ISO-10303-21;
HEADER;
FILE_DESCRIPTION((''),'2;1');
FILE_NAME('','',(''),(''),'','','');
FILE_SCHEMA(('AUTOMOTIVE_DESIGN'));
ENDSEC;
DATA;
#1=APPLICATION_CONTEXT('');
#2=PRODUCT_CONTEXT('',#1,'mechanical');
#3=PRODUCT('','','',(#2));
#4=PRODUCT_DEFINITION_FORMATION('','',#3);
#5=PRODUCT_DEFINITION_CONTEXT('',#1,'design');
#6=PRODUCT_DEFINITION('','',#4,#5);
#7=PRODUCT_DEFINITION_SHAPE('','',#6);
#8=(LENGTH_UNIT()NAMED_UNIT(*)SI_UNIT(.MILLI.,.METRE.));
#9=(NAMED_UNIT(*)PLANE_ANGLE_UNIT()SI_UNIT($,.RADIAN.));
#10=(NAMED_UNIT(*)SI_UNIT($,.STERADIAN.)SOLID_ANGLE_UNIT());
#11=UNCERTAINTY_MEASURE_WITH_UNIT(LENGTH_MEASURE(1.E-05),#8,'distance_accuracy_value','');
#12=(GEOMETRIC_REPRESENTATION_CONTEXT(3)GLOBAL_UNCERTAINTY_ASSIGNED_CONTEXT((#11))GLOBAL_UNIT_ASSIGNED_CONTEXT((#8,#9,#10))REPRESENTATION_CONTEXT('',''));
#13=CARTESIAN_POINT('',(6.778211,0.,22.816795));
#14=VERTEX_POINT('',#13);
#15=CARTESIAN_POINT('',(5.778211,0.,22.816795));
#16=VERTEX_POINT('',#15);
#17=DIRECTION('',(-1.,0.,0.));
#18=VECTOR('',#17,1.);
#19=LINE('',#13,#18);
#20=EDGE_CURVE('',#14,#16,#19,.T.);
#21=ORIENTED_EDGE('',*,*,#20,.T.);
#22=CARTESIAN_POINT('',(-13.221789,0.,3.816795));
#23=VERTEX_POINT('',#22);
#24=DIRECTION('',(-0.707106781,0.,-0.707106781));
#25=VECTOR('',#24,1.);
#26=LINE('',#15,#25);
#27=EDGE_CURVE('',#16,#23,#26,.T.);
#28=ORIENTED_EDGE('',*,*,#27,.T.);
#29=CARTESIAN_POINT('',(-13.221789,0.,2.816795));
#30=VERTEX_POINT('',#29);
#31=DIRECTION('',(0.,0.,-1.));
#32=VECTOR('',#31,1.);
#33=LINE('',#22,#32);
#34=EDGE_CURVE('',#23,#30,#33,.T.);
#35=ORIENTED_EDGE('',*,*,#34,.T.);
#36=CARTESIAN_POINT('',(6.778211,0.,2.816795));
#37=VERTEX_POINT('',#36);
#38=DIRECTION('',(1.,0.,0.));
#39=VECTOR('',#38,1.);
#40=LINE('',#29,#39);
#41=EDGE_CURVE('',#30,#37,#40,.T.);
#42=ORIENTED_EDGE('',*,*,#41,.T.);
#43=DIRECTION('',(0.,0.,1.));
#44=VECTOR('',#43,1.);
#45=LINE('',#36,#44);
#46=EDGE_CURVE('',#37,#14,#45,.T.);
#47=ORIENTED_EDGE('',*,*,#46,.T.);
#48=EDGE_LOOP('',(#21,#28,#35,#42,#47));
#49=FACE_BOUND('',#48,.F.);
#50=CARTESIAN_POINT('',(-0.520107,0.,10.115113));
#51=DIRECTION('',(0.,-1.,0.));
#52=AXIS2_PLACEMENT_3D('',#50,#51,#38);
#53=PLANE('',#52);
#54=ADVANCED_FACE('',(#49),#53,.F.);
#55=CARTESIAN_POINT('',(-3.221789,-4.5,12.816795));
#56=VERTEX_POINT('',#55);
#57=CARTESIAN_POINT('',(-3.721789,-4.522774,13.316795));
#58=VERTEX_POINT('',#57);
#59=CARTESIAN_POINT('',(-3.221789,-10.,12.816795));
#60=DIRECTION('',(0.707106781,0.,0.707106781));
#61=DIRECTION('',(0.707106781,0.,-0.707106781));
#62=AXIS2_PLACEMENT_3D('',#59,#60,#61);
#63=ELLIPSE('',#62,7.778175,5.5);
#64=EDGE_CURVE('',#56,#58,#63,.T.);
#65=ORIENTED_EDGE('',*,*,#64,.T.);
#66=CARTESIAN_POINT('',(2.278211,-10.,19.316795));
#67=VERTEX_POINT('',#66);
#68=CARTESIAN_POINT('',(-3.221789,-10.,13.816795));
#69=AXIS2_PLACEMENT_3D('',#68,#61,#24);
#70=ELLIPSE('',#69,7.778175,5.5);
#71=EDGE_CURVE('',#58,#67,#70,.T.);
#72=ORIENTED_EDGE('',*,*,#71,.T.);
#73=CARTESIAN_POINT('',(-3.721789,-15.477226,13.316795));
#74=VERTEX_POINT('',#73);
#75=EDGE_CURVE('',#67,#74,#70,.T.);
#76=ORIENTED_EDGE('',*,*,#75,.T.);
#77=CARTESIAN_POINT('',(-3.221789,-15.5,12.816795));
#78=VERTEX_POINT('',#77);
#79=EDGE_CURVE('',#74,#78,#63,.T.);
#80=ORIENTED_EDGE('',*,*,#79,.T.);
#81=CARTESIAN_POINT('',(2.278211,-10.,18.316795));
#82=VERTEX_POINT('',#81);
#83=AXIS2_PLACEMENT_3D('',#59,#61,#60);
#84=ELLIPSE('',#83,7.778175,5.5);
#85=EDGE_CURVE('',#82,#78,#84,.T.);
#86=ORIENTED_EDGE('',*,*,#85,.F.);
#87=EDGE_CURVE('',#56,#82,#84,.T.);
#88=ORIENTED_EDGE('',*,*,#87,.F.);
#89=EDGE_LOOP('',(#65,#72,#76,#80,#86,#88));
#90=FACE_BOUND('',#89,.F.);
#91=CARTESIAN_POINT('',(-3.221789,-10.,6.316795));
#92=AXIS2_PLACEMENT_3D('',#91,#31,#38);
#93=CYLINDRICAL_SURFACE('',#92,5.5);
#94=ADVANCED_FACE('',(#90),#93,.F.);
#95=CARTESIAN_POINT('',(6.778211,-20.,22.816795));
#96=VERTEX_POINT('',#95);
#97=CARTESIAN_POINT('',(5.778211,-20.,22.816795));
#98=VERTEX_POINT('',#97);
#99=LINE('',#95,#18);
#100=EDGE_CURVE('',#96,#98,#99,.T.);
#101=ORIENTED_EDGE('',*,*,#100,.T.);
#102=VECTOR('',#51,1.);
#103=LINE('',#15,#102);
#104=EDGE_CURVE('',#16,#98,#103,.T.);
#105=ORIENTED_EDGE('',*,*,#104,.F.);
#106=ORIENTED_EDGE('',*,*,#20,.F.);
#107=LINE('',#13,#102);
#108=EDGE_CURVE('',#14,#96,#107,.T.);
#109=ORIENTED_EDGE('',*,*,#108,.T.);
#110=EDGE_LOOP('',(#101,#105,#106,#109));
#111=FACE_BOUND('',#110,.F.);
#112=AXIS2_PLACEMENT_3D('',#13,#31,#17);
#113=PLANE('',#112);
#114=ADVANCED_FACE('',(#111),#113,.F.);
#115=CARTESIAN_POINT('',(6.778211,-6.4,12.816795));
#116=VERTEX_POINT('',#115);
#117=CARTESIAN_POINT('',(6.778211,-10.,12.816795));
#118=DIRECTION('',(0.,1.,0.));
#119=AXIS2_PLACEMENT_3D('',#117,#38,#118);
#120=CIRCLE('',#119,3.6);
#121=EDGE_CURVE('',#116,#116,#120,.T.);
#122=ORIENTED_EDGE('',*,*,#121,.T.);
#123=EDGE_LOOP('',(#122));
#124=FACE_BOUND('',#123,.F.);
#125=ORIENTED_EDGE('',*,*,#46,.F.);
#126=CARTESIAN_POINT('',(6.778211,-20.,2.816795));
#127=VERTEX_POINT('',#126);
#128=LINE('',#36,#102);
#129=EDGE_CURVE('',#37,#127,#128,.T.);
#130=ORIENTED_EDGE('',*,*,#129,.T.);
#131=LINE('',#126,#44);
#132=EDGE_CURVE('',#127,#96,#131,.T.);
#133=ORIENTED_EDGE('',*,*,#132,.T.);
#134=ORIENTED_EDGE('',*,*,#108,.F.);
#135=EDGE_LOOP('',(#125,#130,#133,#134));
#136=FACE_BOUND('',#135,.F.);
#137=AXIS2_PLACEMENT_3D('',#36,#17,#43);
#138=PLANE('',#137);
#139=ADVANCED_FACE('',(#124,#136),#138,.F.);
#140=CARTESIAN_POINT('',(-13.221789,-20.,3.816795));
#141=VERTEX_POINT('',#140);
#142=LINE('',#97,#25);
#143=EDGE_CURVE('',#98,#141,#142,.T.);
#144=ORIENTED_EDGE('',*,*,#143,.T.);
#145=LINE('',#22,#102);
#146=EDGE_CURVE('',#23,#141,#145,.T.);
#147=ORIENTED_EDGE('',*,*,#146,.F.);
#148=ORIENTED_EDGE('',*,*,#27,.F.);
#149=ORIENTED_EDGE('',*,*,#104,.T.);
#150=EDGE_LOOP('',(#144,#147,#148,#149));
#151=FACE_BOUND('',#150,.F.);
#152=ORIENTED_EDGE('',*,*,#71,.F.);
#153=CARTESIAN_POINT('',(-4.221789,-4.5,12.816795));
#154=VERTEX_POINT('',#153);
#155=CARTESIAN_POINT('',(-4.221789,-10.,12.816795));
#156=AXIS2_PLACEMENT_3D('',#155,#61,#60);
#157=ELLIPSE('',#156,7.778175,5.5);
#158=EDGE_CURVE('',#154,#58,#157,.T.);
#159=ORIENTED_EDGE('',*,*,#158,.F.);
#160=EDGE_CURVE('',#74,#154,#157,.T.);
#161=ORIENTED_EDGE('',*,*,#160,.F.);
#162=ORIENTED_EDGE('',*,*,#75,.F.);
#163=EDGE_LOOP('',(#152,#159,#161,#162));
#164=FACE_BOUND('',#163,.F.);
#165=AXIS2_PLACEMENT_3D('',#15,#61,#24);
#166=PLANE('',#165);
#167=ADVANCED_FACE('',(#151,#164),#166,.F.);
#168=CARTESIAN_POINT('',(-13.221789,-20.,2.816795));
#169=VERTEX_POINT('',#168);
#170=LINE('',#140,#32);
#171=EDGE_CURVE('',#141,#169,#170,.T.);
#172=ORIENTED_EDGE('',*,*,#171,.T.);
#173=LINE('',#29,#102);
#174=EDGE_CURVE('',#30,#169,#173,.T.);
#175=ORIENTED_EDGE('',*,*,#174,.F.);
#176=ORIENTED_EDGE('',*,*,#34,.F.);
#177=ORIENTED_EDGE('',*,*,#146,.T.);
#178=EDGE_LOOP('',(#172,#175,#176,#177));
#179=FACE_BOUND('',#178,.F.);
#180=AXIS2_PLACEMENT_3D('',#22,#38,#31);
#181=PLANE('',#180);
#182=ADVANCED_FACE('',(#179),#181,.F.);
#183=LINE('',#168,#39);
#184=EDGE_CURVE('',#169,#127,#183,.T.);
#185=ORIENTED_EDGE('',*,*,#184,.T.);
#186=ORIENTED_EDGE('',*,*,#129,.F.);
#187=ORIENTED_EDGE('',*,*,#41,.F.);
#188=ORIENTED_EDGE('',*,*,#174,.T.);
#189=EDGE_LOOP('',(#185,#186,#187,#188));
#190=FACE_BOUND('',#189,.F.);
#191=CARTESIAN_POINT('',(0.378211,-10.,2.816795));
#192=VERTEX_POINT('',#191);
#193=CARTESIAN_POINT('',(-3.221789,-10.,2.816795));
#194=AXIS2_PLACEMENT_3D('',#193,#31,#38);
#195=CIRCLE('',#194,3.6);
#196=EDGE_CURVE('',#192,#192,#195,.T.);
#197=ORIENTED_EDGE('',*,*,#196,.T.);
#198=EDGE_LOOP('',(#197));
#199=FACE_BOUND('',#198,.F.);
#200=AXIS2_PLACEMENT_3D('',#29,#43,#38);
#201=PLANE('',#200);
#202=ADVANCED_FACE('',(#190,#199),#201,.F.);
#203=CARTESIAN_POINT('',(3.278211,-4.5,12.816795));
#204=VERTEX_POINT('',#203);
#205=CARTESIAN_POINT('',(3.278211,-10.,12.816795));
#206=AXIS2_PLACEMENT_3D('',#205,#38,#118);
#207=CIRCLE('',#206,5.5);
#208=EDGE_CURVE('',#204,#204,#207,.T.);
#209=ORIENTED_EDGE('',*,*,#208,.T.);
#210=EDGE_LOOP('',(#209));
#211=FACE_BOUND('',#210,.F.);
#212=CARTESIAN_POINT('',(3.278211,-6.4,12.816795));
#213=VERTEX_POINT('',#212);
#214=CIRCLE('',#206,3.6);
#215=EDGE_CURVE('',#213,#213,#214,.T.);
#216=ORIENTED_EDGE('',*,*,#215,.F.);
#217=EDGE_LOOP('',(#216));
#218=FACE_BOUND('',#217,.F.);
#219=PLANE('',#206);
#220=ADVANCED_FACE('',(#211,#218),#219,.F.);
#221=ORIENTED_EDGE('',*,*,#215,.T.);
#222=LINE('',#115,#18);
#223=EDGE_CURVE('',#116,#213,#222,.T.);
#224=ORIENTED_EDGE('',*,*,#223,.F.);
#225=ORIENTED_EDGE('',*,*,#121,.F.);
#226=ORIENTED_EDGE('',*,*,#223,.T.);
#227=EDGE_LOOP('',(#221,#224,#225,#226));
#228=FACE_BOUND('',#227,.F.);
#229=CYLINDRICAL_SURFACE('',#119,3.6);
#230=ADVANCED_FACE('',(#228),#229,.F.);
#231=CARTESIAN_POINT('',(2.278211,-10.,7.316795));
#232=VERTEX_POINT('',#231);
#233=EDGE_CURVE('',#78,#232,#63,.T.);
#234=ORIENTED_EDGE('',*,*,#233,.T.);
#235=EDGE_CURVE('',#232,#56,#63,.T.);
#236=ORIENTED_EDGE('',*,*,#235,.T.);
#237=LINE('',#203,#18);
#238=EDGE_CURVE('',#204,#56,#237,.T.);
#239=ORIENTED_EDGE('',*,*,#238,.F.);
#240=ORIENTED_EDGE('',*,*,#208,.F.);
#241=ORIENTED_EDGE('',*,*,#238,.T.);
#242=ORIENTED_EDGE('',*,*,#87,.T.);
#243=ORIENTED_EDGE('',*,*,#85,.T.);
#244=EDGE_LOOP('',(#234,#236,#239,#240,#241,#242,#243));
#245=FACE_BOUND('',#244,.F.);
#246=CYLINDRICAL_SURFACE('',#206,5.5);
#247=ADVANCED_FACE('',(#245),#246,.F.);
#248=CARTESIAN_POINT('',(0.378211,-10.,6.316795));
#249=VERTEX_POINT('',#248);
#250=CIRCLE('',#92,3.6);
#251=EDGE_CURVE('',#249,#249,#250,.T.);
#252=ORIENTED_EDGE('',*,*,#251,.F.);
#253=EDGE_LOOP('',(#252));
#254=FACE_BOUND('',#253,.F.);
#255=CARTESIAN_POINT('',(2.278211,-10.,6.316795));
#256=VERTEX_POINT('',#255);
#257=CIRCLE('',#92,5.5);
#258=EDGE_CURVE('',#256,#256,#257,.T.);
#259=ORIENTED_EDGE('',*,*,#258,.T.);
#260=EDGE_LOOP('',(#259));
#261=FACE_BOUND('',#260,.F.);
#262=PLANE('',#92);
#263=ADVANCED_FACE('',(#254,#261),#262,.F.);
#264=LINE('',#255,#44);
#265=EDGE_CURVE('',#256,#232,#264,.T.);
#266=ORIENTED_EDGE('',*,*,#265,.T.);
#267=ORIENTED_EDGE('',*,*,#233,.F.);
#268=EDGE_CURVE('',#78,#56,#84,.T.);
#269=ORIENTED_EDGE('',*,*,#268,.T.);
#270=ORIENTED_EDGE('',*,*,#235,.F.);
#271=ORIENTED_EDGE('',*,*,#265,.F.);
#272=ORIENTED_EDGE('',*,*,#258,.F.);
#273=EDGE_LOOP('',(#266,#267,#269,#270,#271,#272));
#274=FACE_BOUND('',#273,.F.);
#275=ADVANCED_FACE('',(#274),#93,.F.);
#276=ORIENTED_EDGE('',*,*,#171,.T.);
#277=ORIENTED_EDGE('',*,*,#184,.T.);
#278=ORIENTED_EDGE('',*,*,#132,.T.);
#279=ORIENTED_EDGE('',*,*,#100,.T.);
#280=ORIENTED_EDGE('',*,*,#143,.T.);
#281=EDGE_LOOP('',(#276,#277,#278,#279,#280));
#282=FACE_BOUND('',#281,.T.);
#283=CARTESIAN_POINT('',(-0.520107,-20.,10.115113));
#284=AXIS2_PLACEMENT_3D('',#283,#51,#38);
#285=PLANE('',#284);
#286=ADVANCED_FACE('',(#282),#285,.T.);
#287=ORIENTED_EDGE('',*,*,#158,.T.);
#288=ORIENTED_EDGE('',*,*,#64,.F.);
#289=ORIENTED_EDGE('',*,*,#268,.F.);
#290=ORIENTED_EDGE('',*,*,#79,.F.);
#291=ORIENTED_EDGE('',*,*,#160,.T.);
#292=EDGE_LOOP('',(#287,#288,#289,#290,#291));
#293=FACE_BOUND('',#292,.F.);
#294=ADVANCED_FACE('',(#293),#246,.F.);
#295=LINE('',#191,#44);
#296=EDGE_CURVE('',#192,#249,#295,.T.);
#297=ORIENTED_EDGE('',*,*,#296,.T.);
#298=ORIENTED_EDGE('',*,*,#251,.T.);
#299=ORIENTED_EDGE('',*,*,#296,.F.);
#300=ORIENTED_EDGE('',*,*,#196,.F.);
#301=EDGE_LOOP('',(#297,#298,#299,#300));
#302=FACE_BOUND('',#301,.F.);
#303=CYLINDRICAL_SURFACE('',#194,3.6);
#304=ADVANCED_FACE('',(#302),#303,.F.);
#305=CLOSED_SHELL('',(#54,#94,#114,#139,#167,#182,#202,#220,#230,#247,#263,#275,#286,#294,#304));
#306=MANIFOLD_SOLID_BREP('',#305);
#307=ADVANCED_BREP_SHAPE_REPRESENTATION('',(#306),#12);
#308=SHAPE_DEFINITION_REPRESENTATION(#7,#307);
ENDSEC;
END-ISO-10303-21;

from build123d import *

# Parameters (mm, degrees)
F1_DEPTH = 20
F3_R     = 3.6
F4_DEPTH = 20.001
F2_R     = 3.6
F5_DEPTH = 20.001
F6_START = -3.5
F3_R_2   = 5.5
F6_DEPTH = 16.501
F7_START = -3.5
F2_R_2   = 5.5
F7_DEPTH = 16.501


with BuildPart() as f1:
    # F0 (on Front) → F1 (new body)
    with BuildSketch(Plane.XZ):
        Polygon((-13.2217891409, 3.8167946823), (-13.2217891409, 2.8167946823), (6.7782108591, 2.8167946823), (6.7782108591, 22.8167946823), (5.7782108591, 22.8167946823), align=None)
    extrude(amount=F1_DEPTH)

    # F3 (on face) → F4 (cut, through all)
    with BuildSketch(Plane.YZ.offset(6.7782108591)):
        with Locations((-10, 12.8167946823)):
            Circle(F3_R)
    extrude(amount=-F4_DEPTH, mode=Mode.SUBTRACT)

    # F2 (on face) → F5 (cut, through all)
    with BuildSketch(Plane(origin=(0, 0, 2.8167946823), x_dir=(1, 0, 0), z_dir=(0, 0, -1))):
        with Locations((-3.2217891409, 10)):
            Circle(F2_R)
    extrude(amount=-F5_DEPTH, mode=Mode.SUBTRACT)

    # F3 (on face) → F6 (cut)
    with BuildSketch(Plane.YZ.offset(6.7782108591).offset(F6_START)):
        with Locations((-10, 12.8167946823)):
            Circle(F3_R_2)
        with Locations((-10, 12.8167946823)):
            Circle(F3_R, mode=Mode.SUBTRACT)
    extrude(amount=-F6_DEPTH, mode=Mode.SUBTRACT)

    # F2 (on face) → F7 (cut)
    with BuildSketch(Plane(origin=(0, 0, 2.8167946823), x_dir=(1, 0, 0), z_dir=(0, 0, -1)).offset(F7_START)):
        with Locations((-3.2217891409, 10)):
            Circle(F2_R_2)
        with Locations((-3.2217891409, 10)):
            Circle(F2_R, mode=Mode.SUBTRACT)
    extrude(amount=-F7_DEPTH, mode=Mode.SUBTRACT)


solid = f1.part
